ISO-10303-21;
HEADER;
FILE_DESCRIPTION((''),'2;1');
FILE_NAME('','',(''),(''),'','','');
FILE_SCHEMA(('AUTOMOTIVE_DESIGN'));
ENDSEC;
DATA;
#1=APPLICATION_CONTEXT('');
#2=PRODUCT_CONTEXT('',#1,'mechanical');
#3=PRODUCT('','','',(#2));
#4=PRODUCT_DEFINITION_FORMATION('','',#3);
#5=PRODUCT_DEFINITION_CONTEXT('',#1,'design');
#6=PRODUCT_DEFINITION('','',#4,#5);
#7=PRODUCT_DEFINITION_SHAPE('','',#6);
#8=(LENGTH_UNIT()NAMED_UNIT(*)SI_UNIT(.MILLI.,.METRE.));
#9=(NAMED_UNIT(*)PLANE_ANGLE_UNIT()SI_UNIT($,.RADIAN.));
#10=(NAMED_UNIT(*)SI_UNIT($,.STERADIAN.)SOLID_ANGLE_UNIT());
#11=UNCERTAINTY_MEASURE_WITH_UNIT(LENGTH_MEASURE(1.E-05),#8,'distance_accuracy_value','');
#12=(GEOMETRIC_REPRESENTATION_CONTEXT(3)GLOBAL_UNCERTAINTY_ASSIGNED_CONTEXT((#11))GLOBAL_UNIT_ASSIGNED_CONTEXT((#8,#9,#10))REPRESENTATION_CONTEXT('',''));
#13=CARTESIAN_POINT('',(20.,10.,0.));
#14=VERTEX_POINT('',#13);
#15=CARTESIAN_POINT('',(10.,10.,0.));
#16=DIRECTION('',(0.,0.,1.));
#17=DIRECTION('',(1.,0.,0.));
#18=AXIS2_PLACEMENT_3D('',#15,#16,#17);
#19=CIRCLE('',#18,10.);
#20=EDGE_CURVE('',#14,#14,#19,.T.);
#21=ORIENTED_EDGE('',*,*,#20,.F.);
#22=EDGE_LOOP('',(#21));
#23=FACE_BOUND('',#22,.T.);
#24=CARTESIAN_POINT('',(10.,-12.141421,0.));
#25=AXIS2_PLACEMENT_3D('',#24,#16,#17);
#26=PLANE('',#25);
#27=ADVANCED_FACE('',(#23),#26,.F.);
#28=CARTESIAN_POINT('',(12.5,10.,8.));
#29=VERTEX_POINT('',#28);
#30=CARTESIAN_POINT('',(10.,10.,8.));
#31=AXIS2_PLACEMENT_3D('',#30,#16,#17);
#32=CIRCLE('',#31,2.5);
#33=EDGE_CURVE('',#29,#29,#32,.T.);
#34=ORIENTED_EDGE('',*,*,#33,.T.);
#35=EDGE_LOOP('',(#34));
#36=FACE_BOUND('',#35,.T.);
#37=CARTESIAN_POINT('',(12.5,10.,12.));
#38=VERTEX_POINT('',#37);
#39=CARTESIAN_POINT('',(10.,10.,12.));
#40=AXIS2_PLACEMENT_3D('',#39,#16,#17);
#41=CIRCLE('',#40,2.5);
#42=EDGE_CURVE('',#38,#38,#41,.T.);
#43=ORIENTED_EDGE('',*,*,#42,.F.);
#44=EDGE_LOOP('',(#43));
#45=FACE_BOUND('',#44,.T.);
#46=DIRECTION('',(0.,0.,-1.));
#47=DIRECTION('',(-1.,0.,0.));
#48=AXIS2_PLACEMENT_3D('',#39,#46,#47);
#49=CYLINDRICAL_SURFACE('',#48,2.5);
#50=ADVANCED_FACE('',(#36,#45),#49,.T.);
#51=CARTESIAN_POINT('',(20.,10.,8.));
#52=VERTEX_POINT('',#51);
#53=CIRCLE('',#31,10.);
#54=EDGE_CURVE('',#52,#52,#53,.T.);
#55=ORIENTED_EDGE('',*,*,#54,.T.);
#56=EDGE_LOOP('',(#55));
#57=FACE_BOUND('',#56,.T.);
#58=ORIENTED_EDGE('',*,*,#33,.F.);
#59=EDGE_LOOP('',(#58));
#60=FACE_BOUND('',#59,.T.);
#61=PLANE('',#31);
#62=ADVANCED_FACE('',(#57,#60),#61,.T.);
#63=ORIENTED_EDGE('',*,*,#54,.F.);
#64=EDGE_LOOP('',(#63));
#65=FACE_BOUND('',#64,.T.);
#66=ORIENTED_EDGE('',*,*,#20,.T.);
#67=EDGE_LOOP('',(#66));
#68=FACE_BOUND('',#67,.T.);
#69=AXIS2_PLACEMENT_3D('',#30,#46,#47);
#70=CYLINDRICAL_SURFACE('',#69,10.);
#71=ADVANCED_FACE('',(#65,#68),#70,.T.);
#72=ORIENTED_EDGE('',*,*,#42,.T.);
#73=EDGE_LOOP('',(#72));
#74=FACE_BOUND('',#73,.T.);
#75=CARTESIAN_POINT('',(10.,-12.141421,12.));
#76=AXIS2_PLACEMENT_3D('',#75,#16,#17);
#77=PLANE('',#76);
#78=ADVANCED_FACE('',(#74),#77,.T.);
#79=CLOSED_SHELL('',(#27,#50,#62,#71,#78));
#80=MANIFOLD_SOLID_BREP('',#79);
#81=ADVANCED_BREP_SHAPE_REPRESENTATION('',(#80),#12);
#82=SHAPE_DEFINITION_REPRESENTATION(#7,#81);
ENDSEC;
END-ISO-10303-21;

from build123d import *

# Parameters (mm, degrees)
SKETCH1_R           = 2.5
BOSS_EXTRUDE1_DEPTH = 12
SKETCH1_3_R         = 10
SKETCH1_3_R_2       = 2.5
BOSS_EXTRUDE2_DEPTH = 8


with BuildPart() as part:
    # Sketch1 → Boss-Extrude1 (new body)
    with BuildSketch(Plane.XY):
        with Locations((10, 10)):
            Circle(SKETCH1_R)
    extrude(amount=BOSS_EXTRUDE1_DEPTH)

    # Sketch1<3> → Boss-Extrude2 (add)
    with BuildSketch(Plane.XY):
        with Locations((10, 10)):
            Circle(SKETCH1_3_R)
        with Locations((10, 10)):
            Circle(SKETCH1_3_R_2, mode=Mode.SUBTRACT)
    extrude(amount=BOSS_EXTRUDE2_DEPTH)


solid = part.part
